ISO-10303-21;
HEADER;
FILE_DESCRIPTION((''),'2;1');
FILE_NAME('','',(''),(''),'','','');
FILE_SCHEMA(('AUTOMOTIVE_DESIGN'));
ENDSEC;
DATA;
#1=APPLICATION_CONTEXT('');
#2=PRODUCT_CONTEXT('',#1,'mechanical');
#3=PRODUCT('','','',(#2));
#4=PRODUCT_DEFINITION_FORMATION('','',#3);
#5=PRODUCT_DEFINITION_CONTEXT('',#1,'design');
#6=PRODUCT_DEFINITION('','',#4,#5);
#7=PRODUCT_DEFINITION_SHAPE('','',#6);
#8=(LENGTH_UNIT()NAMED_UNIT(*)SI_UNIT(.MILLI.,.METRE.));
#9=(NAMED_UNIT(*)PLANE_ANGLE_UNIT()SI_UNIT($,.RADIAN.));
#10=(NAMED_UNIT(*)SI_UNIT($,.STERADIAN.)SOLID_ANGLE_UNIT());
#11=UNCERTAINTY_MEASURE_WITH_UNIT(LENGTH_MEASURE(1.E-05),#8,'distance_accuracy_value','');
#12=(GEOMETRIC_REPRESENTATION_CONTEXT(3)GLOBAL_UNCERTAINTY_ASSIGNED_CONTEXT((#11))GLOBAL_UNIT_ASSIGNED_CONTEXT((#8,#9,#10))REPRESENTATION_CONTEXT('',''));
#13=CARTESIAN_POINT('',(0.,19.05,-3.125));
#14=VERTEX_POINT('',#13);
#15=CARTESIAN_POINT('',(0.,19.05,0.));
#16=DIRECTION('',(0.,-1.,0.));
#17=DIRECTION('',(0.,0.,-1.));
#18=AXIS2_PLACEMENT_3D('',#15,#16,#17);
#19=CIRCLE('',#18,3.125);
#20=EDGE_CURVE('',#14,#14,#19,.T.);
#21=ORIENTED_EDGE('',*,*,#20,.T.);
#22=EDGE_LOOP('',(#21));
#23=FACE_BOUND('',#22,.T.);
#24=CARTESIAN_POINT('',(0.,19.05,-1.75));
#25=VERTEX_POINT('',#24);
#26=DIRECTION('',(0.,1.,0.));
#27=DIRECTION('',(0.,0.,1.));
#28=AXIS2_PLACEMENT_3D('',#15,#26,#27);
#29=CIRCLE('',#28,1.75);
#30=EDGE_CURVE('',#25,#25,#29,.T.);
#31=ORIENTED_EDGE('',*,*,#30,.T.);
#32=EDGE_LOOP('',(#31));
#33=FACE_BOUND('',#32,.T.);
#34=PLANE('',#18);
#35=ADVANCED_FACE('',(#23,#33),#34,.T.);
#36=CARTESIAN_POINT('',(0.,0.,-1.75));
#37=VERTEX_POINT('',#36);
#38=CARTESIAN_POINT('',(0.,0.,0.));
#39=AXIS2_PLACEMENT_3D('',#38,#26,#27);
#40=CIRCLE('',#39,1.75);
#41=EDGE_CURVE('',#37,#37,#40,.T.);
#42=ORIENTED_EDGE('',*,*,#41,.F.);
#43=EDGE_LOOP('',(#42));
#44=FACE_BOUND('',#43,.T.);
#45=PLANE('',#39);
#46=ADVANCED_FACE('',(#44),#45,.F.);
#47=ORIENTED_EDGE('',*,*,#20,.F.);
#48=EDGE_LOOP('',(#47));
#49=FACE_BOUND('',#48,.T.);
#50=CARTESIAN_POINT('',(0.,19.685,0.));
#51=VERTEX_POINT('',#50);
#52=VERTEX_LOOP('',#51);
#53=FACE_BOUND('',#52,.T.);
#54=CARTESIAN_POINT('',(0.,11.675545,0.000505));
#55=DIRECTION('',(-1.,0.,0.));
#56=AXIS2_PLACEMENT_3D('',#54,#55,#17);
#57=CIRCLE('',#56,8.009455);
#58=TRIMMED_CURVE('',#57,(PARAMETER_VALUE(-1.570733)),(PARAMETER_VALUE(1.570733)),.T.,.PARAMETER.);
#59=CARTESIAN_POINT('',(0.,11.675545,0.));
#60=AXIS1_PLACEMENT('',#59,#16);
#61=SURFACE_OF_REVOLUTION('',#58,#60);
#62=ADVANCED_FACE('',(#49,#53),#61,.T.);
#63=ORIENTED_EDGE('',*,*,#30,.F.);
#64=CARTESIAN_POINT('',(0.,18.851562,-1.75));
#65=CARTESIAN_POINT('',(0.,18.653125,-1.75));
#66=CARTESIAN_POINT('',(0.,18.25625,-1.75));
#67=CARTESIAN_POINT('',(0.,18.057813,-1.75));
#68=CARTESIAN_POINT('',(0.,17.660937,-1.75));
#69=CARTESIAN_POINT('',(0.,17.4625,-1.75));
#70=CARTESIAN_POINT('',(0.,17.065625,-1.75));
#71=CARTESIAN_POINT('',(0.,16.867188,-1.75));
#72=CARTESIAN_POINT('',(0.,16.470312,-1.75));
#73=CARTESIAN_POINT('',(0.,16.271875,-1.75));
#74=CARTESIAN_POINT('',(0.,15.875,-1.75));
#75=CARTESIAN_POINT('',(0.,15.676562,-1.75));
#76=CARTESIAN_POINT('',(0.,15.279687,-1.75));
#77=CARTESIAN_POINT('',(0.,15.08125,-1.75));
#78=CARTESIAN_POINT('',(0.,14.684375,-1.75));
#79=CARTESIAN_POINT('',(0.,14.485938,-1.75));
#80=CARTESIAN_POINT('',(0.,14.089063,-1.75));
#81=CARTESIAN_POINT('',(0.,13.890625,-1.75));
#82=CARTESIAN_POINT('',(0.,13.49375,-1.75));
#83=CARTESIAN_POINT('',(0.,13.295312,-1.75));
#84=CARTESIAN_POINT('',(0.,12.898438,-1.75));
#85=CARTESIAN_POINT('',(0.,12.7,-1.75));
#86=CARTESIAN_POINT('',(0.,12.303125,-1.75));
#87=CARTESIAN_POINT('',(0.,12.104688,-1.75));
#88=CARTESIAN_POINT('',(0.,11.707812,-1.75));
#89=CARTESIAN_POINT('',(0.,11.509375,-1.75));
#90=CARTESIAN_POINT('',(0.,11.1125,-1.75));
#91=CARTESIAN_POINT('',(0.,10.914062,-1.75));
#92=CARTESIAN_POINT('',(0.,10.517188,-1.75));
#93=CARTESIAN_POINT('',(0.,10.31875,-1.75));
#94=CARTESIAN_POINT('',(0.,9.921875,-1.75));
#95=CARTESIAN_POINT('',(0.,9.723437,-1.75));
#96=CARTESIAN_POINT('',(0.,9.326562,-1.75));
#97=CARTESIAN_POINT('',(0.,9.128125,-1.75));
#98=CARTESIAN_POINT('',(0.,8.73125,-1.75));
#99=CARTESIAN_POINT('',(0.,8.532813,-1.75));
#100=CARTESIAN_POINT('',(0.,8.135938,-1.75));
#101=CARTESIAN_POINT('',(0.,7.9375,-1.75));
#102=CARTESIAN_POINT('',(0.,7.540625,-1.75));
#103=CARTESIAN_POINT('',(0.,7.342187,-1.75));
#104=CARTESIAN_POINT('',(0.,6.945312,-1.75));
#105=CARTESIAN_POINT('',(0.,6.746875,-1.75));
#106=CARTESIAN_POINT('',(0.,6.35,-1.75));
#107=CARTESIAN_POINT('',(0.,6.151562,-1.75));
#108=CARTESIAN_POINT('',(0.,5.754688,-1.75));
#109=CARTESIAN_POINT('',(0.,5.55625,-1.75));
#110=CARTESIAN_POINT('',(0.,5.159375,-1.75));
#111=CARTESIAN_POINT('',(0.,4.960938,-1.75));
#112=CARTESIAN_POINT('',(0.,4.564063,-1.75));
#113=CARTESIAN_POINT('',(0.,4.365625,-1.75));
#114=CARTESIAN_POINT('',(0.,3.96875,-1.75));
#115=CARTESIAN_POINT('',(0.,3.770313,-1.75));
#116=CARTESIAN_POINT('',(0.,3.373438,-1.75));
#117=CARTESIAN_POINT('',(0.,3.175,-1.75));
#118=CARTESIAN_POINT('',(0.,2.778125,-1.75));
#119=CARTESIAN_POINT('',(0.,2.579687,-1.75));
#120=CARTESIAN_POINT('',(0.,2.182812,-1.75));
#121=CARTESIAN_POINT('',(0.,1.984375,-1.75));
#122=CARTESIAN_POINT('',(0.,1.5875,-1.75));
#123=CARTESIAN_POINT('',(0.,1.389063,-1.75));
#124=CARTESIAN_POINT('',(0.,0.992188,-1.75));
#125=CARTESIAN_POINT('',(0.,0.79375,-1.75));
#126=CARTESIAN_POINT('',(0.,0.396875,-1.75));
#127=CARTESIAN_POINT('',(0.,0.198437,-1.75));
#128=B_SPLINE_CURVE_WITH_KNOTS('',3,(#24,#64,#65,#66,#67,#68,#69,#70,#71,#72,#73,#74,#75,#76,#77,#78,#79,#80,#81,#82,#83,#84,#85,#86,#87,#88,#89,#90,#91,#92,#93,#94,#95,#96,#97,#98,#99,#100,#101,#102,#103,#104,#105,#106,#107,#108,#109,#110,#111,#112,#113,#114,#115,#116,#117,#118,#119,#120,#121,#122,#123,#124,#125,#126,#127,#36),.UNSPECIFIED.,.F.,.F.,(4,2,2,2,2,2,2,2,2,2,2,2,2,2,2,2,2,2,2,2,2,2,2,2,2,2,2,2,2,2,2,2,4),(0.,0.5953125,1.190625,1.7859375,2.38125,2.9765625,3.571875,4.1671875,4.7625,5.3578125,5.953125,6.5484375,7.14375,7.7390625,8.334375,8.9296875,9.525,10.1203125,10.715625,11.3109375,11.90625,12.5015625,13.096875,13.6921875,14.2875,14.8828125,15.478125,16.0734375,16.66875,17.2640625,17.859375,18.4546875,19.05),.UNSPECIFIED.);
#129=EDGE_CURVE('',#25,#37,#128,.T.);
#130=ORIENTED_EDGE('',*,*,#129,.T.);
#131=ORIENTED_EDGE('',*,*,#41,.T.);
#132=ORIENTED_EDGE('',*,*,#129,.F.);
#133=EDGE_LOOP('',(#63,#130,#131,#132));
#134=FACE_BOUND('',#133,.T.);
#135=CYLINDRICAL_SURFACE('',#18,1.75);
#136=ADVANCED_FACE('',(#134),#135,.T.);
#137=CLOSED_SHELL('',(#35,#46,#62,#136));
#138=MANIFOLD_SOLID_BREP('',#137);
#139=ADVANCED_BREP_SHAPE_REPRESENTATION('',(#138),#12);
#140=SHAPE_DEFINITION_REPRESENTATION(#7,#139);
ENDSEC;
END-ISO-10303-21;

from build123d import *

# Parameters (mm, degrees)
SKETCH1_R           = 1.75
BOSS_EXTRUDE1_DEPTH = 19.05


with BuildPart() as part:
    # Sketch1 → Boss-Extrude1 (new body)
    with BuildSketch(Plane(origin=(0, 0, 0), x_dir=(1, 0, 0), z_dir=(0, 1, 0))):
        with Locations(Location((0, 0, 0), (0, 0, 90))):
            Circle(SKETCH1_R)
    extrude(amount=BOSS_EXTRUDE1_DEPTH)

    # Sketch2 → Revolve1 (revolve)
    with BuildSketch(Plane.XY):
        with BuildLine():
            Line((0, 19.05), (0, 19.685))
            ThreePointArc((0, 19.685), (1.5944216, 19.524594488), (3.125, 19.05))
            Line((3.125, 19.05), (0, 19.05))
        make_face()
    revolve(axis=Axis((0, 19.05, 0), (0, 1, 0)))


solid = part.part
